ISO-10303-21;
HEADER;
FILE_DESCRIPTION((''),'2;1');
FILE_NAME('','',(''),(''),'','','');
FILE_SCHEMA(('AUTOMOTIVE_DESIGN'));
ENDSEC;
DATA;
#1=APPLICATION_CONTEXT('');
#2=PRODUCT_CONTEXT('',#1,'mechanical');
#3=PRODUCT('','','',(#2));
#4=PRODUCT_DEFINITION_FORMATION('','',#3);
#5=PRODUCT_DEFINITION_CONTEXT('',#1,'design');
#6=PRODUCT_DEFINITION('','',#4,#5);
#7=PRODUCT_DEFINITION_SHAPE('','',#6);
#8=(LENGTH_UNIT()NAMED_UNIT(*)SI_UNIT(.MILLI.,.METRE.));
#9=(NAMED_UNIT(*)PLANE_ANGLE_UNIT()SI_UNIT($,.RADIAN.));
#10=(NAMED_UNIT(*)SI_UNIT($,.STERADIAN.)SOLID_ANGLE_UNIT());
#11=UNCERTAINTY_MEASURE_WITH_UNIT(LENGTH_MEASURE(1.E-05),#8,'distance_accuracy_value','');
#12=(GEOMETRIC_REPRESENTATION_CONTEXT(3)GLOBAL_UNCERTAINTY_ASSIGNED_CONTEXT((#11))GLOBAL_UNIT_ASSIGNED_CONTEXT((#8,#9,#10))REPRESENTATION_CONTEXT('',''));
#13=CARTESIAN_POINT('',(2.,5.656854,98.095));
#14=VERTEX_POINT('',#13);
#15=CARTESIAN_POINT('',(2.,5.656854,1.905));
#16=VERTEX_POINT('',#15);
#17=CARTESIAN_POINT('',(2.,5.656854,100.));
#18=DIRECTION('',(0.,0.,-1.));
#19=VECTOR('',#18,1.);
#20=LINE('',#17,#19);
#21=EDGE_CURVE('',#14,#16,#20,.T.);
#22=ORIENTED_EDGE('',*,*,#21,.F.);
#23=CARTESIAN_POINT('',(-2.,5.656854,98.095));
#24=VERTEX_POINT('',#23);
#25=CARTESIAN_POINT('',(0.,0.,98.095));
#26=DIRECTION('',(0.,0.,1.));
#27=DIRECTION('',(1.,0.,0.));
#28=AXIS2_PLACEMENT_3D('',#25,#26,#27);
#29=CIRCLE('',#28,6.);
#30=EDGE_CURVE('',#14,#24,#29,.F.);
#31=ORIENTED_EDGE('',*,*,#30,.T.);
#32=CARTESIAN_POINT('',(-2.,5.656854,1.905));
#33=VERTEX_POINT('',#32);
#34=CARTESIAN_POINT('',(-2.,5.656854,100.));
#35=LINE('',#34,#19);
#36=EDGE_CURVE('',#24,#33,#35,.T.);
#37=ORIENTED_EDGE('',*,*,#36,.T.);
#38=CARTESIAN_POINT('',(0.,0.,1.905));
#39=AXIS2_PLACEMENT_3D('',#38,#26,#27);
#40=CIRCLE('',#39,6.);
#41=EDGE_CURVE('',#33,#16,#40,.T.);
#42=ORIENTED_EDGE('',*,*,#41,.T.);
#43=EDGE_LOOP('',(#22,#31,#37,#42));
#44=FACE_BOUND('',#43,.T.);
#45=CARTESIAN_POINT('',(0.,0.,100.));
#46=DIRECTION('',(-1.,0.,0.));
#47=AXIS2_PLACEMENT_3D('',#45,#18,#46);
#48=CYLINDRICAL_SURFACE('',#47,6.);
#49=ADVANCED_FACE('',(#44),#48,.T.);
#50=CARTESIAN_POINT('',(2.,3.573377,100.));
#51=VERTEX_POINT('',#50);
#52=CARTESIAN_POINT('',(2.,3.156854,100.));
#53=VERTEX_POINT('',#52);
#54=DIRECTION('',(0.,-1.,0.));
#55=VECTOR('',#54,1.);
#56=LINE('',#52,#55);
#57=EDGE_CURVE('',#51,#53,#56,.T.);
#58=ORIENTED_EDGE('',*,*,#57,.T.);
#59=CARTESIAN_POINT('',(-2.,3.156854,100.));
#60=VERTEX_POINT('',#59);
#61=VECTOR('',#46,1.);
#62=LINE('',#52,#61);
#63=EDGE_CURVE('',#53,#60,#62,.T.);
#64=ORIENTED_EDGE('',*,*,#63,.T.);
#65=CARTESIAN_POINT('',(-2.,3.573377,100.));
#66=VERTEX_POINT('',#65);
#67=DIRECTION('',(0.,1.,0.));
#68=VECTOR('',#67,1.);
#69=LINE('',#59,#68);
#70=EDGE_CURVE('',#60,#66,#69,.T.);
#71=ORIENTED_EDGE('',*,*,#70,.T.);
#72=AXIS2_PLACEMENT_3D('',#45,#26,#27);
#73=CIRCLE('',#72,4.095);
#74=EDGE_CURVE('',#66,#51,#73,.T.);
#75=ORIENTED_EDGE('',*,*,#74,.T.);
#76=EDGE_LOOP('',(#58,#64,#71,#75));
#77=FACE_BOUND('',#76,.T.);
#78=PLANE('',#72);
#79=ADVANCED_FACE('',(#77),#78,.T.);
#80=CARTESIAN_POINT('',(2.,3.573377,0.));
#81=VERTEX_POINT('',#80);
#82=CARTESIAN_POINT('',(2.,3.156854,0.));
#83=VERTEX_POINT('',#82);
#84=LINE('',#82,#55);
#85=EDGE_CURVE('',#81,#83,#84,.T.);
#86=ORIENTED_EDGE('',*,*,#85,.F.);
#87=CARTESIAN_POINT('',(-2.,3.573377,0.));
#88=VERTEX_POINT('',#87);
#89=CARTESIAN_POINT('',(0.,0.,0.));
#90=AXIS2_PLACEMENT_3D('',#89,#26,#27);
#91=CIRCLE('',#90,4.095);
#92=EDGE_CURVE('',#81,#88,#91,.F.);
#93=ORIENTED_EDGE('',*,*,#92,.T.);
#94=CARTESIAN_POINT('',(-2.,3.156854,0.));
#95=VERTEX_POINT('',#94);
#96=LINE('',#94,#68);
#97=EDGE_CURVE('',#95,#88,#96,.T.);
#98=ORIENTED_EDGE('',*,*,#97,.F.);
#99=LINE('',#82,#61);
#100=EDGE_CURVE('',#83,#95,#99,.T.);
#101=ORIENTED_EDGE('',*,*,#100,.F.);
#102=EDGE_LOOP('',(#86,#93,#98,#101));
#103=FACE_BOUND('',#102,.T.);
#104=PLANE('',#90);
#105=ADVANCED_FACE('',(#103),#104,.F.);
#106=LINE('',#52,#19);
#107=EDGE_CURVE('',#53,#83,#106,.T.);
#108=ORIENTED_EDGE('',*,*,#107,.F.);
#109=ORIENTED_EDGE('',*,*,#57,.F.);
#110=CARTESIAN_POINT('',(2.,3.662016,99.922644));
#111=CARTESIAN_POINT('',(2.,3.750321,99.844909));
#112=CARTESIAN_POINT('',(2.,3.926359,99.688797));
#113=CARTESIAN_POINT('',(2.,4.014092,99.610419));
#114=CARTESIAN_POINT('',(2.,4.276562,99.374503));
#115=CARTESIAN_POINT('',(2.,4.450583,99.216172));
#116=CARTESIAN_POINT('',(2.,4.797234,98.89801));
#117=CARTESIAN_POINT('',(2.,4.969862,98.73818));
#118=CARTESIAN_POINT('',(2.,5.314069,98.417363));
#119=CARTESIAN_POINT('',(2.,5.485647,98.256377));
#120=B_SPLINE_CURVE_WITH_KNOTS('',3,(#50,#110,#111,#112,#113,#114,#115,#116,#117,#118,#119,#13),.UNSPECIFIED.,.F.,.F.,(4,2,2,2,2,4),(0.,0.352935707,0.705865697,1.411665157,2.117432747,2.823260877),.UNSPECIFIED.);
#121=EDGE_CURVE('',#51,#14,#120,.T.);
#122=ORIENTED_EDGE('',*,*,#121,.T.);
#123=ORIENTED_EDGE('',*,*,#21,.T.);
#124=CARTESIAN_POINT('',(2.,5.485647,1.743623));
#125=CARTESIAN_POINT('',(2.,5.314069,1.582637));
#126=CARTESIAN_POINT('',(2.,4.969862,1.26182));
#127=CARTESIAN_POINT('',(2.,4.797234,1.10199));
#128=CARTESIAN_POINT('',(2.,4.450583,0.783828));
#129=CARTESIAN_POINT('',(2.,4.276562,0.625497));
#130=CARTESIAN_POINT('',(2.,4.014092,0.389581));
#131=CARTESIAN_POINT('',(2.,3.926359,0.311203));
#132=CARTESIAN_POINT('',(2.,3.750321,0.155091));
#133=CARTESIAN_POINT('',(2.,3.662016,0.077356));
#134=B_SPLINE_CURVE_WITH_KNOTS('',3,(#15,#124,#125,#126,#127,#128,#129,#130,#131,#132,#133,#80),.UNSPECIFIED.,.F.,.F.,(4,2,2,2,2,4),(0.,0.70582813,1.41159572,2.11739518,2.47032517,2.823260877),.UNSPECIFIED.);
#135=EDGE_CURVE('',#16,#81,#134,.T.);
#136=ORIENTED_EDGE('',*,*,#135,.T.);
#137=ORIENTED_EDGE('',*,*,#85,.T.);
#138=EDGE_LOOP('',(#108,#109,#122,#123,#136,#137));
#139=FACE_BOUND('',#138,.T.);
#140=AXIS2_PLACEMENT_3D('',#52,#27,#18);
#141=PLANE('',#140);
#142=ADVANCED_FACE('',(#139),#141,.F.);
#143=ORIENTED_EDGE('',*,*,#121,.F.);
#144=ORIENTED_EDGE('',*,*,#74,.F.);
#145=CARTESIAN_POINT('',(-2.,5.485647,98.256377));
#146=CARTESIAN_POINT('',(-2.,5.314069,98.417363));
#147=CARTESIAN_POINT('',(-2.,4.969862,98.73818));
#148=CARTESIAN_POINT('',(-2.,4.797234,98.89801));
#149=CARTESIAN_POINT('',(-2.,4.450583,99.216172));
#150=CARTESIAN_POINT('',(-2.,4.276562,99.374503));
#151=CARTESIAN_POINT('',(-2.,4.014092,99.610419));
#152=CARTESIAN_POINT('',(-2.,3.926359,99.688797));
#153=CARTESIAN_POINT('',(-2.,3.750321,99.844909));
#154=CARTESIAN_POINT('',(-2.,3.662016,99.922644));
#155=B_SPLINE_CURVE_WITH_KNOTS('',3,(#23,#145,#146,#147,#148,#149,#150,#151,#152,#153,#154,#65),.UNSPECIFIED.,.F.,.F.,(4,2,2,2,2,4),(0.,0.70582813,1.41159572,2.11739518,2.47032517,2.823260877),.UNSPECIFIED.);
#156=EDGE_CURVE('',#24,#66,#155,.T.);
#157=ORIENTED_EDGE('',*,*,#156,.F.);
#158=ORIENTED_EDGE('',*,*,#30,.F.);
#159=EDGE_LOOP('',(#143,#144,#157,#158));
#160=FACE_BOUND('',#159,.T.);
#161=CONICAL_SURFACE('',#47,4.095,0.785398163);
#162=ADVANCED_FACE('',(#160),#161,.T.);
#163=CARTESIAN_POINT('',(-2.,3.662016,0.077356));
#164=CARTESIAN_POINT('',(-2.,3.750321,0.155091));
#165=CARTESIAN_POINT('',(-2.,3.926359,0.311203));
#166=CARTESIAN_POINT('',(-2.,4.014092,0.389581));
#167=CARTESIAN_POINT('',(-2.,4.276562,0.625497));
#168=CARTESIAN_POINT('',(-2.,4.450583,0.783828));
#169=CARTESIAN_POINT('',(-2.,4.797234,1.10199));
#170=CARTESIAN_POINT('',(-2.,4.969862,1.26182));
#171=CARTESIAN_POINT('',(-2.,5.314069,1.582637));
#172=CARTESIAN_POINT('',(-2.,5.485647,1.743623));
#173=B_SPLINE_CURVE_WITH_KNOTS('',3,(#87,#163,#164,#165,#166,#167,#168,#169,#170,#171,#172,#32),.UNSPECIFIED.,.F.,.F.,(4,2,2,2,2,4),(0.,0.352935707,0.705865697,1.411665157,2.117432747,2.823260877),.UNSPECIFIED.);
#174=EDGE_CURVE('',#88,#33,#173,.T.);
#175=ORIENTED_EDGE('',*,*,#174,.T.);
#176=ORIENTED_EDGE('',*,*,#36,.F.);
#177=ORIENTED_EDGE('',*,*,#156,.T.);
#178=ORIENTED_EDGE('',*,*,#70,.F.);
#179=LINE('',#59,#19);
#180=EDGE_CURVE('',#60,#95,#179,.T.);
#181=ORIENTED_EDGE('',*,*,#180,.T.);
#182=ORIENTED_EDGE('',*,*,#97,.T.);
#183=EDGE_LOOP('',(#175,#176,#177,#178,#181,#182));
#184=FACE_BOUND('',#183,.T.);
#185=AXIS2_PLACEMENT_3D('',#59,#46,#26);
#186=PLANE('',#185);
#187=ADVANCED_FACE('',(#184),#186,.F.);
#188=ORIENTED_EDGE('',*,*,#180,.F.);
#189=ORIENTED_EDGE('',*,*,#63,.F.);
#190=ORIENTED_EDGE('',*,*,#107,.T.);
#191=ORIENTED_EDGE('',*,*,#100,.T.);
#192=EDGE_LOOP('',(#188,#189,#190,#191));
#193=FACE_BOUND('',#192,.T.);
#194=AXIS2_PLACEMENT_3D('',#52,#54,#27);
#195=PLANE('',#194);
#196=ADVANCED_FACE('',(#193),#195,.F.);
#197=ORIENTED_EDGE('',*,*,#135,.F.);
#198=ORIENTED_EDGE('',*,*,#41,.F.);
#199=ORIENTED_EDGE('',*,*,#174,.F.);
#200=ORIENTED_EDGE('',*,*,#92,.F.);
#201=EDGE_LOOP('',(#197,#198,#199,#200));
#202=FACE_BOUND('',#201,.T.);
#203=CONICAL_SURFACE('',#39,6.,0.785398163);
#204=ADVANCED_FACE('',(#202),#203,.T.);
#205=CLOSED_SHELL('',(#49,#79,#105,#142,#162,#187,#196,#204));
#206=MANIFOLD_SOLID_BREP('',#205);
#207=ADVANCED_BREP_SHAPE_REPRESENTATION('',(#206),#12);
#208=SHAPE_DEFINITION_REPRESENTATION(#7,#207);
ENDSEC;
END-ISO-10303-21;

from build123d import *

# Parameters (mm, degrees)
BOSS_EXTRUDE1_DEPTH = 100
CHAMFER1_SIZE       = 1.905


with BuildPart() as part:
    # Sketch3 → Boss-Extrude1 (new body)
    with BuildSketch(Plane.XY):
        with BuildLine():
            Line((-2, 3.156854249), (-2, 5.656854249))
            ThreePointArc((-2, 5.656854249), (0, -6), (2, 5.656854249))
            Line((2, 5.656854249), (2, 3.156854249))
            Line((2, 3.156854249), (-2, 3.156854249))
        make_face()
    extrude(amount=BOSS_EXTRUDE1_DEPTH)

    # Chamfer1
    chamfer1_edges = [part.edges().sort_by_distance(p)[0] for p in [
        (0, -6, 100),
        (0, -6, 0),
    ]]
    chamfer(chamfer1_edges, length=CHAMFER1_SIZE)


solid = part.part
